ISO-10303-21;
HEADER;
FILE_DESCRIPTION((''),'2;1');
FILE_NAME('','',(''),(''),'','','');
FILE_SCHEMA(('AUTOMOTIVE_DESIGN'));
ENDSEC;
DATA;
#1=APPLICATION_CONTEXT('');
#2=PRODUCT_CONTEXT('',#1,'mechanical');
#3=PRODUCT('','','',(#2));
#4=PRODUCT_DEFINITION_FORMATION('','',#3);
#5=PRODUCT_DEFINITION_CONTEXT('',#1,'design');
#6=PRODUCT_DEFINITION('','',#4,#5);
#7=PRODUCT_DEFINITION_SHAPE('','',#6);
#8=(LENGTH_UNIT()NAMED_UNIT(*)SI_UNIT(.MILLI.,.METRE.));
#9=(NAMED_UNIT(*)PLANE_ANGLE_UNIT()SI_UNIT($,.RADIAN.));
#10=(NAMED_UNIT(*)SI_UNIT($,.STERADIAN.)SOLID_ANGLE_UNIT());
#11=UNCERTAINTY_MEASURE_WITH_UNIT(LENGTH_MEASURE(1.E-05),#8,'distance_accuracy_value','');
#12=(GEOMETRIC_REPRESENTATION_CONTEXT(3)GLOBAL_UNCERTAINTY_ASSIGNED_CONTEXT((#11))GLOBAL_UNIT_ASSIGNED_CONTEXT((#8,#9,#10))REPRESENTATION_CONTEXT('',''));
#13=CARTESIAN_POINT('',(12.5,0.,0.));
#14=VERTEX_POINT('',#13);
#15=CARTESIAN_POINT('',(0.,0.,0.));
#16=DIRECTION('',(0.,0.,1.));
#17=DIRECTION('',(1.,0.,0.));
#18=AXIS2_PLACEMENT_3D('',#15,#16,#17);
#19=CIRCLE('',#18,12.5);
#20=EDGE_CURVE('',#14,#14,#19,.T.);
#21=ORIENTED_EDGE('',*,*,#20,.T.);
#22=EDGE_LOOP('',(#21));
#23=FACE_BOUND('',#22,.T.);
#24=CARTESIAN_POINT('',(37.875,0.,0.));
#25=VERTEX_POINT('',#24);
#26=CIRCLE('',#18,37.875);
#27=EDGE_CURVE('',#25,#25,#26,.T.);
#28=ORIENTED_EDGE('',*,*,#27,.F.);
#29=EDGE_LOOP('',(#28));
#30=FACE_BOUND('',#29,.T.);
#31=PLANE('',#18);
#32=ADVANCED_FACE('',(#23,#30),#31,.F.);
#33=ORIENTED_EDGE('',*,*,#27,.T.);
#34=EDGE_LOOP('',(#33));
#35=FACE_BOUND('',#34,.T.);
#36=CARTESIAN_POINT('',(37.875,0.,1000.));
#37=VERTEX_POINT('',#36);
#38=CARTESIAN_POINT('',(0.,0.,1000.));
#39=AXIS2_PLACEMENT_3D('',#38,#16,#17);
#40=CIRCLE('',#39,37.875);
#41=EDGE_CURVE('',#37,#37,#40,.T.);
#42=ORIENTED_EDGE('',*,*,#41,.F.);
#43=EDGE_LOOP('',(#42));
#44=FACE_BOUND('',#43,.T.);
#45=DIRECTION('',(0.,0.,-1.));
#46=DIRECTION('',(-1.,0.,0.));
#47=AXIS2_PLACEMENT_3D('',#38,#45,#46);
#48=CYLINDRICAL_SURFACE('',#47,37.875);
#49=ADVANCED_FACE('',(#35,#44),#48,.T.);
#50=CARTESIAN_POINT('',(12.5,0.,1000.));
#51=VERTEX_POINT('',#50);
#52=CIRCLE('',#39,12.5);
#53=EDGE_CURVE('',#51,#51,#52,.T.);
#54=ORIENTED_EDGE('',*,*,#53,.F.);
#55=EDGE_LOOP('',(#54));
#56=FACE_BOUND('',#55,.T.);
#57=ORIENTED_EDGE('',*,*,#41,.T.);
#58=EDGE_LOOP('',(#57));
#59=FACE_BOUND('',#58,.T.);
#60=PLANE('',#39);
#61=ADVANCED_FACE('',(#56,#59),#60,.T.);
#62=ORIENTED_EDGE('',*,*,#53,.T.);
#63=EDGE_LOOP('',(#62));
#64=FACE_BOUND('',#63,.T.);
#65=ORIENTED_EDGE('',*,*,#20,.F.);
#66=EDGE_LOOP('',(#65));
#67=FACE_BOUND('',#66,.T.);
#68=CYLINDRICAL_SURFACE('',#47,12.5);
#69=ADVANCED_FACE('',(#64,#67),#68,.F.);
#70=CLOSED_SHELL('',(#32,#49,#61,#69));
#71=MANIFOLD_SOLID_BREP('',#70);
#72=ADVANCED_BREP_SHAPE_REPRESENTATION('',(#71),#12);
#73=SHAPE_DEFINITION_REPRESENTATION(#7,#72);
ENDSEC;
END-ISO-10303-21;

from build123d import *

# Parameters (mm, degrees)
CROQUIS2_R              = 37.875
CROQUIS2_R_2            = 12.5
SALIENTE_EXTRUIR1_DEPTH = 1000


with BuildPart() as part:
    # Croquis2 → Saliente-Extruir1 (new body)
    with BuildSketch(Plane.XY):
        Circle(CROQUIS2_R)
        Circle(CROQUIS2_R_2, mode=Mode.SUBTRACT)
    extrude(amount=SALIENTE_EXTRUIR1_DEPTH)


solid = part.part
